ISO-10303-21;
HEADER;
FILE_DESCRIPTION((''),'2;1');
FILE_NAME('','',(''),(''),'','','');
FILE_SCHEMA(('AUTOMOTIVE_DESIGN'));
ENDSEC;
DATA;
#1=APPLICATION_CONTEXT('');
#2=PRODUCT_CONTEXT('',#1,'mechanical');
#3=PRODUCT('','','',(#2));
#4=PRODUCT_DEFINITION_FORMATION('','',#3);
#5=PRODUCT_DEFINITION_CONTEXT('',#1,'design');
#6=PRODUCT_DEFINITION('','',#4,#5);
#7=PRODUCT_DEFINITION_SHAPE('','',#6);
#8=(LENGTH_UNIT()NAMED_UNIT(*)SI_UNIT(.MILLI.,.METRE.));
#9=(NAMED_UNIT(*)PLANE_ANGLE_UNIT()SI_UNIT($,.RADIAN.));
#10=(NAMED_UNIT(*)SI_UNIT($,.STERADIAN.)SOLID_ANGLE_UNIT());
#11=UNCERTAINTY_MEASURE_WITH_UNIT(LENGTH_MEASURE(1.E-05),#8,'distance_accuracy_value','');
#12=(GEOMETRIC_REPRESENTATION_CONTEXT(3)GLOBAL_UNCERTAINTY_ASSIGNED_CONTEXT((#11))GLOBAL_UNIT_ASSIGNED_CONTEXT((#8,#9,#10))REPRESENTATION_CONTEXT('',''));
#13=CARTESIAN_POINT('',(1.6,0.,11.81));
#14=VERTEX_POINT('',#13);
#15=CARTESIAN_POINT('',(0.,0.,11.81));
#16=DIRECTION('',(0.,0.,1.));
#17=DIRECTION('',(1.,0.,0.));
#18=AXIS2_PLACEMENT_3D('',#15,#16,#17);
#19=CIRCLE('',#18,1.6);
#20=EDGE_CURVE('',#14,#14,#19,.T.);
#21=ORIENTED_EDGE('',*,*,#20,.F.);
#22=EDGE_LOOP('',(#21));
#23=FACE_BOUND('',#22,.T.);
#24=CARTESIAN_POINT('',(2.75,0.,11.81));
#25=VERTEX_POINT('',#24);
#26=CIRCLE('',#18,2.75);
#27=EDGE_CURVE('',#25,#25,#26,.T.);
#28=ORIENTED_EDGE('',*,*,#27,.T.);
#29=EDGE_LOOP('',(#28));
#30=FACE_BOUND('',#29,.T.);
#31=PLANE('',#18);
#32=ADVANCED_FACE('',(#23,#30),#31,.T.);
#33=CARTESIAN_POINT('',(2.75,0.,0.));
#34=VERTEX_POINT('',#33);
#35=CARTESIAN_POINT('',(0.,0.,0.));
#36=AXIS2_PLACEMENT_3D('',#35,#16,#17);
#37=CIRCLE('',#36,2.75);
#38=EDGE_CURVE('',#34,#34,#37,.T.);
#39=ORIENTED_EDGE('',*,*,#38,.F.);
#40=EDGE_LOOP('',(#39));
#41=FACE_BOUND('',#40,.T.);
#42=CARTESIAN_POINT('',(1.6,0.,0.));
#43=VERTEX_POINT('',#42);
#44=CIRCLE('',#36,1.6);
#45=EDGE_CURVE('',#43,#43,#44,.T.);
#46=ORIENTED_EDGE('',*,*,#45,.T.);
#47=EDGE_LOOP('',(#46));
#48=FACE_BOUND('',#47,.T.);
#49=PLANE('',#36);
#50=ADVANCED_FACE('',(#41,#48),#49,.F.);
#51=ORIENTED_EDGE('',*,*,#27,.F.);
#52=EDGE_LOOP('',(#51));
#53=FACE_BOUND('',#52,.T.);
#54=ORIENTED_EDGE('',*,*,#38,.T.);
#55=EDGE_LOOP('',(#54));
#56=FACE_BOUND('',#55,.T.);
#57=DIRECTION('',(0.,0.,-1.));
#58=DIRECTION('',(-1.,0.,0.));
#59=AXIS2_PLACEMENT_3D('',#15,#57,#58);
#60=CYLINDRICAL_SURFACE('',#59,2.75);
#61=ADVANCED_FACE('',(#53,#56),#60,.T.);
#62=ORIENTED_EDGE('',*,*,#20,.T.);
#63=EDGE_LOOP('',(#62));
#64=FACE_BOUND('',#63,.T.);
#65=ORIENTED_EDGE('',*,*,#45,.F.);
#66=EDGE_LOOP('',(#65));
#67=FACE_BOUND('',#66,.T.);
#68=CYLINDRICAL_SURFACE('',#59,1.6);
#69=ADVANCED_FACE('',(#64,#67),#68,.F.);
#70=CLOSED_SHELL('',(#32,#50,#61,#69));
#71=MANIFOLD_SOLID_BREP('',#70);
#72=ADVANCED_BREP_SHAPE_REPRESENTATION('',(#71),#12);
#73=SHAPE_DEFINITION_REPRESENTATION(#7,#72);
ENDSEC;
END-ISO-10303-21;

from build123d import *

# Parameters (mm, degrees)
SKETCH_1_R      = 2.75
SKETCH_1_R_2    = 1.6
EXTRUDE_1_DEPTH = 11.81


with BuildPart() as part:
    # 草圖1 → 填料-伸長1 (new body)
    with BuildSketch(Plane.XY):
        Circle(SKETCH_1_R)
        Circle(SKETCH_1_R_2, mode=Mode.SUBTRACT)
    extrude(amount=EXTRUDE_1_DEPTH)


solid = part.part
